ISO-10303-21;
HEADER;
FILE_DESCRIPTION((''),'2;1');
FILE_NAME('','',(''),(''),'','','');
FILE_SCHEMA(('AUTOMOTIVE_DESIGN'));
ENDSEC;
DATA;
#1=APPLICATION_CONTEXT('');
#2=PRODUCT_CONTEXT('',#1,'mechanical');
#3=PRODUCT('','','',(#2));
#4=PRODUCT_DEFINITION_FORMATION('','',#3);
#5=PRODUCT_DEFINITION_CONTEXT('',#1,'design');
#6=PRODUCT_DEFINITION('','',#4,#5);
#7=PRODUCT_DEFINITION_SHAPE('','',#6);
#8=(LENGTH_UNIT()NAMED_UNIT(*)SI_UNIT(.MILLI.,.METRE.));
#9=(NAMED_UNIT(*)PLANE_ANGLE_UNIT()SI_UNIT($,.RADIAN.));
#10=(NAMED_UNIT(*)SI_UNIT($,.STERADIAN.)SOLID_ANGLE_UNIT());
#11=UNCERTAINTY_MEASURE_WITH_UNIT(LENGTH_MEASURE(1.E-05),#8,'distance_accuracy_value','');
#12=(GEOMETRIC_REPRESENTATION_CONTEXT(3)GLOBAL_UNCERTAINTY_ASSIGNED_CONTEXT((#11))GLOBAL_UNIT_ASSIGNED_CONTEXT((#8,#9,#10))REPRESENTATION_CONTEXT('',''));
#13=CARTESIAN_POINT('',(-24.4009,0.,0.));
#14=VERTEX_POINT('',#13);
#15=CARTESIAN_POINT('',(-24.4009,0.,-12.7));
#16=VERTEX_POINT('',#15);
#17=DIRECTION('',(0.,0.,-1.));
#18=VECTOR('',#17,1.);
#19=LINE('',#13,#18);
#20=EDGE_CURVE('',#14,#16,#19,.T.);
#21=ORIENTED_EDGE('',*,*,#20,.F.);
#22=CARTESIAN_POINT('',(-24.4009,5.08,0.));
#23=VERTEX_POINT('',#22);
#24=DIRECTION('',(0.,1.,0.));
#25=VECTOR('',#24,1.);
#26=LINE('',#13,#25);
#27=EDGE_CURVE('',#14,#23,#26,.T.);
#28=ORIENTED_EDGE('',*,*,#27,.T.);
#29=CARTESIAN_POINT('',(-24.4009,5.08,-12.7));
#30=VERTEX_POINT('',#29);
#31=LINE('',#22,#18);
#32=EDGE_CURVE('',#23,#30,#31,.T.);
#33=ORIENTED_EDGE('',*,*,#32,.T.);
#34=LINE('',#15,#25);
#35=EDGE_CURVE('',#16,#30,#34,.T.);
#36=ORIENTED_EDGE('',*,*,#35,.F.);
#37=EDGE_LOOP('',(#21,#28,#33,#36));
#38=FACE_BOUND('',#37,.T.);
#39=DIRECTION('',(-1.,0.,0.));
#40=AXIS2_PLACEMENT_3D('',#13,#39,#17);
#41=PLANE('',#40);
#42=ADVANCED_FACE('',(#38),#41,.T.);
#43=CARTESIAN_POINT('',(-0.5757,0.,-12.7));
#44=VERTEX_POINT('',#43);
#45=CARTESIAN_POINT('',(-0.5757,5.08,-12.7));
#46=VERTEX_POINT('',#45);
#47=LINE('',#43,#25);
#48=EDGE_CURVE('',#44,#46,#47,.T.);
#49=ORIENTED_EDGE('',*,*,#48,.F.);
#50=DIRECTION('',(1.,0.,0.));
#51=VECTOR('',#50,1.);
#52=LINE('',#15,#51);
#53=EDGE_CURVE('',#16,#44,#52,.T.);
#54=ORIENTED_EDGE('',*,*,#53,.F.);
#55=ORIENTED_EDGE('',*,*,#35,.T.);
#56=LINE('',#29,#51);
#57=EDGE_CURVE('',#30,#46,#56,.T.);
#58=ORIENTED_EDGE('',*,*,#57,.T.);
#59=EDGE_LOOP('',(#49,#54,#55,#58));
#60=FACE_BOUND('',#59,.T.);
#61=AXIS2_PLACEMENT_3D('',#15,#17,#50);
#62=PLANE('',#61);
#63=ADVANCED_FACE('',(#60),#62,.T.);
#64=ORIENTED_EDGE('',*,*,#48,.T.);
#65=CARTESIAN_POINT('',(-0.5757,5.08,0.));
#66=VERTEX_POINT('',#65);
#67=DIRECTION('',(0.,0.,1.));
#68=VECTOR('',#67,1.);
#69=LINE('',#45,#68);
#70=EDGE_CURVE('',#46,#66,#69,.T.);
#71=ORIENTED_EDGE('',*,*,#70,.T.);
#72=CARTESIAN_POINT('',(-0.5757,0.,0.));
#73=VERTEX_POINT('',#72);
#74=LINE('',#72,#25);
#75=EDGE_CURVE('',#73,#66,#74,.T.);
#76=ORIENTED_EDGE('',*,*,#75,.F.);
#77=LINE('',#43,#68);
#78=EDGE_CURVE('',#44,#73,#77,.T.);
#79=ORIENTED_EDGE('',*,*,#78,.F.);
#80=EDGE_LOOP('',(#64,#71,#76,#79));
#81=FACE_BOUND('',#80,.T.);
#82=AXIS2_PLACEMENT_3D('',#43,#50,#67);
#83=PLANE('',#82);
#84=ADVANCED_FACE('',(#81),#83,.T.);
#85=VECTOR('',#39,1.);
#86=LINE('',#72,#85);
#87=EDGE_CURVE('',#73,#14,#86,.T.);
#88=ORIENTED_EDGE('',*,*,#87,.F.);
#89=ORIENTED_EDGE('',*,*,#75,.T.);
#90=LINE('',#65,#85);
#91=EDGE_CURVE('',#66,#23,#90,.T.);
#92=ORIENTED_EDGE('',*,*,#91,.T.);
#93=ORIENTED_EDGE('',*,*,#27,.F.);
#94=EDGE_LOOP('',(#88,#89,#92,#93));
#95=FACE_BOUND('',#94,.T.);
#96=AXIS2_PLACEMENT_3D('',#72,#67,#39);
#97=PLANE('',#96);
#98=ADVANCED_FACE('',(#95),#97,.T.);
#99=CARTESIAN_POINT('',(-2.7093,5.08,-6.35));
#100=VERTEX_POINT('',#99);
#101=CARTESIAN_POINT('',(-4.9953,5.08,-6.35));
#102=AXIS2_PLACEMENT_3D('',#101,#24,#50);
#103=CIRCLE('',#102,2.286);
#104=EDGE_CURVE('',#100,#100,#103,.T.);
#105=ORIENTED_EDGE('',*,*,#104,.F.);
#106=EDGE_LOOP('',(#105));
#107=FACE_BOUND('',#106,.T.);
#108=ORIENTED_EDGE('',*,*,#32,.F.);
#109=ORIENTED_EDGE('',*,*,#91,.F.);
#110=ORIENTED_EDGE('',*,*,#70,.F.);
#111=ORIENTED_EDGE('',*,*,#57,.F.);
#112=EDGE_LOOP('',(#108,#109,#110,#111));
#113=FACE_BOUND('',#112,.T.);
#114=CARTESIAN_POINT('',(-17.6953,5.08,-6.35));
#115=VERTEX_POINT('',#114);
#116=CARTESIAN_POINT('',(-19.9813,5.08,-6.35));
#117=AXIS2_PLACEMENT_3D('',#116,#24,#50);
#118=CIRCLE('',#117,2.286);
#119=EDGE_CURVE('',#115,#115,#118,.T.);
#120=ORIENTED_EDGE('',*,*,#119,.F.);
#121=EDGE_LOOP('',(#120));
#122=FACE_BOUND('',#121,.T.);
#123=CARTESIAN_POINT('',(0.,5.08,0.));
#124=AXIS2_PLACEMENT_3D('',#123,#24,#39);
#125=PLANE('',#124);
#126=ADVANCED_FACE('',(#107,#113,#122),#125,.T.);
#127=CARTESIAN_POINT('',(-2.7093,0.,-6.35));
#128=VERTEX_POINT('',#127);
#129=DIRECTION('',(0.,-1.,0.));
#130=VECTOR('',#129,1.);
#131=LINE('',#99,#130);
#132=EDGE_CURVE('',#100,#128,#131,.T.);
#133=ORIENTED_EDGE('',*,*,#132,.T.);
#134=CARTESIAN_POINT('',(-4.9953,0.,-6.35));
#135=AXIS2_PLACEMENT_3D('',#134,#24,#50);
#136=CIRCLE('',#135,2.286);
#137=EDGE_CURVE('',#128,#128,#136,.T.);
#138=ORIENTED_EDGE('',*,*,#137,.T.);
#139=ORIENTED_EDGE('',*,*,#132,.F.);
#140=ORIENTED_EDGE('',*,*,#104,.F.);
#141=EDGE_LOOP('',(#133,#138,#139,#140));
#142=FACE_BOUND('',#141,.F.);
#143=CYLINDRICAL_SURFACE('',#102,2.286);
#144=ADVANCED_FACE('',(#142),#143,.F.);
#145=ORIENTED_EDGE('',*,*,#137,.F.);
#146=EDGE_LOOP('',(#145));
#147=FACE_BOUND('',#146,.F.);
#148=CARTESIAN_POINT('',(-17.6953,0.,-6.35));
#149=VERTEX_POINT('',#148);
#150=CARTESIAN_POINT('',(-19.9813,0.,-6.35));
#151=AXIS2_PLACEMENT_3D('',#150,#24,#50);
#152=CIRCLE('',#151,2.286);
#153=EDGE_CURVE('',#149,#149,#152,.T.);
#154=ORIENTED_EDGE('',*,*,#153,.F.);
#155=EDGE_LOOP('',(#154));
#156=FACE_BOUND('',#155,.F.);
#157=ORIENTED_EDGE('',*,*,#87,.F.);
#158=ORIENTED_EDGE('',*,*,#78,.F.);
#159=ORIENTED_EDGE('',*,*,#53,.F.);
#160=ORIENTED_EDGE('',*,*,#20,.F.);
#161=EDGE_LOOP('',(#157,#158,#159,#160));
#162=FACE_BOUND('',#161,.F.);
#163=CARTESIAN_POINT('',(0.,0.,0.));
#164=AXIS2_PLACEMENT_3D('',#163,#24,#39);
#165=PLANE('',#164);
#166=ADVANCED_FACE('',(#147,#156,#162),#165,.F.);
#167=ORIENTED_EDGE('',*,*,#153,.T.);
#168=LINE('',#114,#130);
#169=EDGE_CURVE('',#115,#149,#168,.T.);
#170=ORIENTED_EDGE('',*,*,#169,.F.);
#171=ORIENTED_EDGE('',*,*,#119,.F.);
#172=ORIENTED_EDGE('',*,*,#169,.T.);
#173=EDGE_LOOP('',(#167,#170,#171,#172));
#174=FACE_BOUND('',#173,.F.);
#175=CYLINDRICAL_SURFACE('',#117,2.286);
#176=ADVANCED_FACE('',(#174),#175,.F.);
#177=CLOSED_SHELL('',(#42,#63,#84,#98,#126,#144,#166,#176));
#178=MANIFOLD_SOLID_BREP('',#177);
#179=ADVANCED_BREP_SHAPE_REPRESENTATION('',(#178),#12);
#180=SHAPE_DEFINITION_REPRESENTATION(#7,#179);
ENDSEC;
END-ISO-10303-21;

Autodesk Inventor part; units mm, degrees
ref_plane "YZ Plane" through (0, 0, 0) normal (1, 0, 0) x (0, 1, 0)
ref_plane "XZ Plane" through (0, 0, 0) normal (0, 1, 0) x (-1, 0, 0)
ref_plane "XY Plane" through (0, 0, 0) normal (0, 0, 1) x (1, 0, 0)
sketch "Spacer 2D" plane through (0, 0, 0) normal (0, 1, 0) x (-1, 0, 0)
  line L0 (12.4883, 0) -> (12.4883, -12.7) construction
  line L1 (24.4009, -12.7) -> (0.5757, -12.7)
  line L2 (0.5757, -12.7) -> (0.5757, 0)
  line L3 (0.5757, 0) -> (24.4009, 0)
  line L4 (24.4009, 0) -> (24.4009, -12.7)
  line L5 (24.4009, -12.7) -> (0.5757, 0) construction
  line L6 (0.5757, -12.7) -> (24.4009, 0) construction
  point P0 (0, 0)
  point P1 (12.4883, -6.35)
  dimension "d17" = 23.8252
  dimension "d18" = 12.7
extrude "Spacer Body" add sketch "Spacer 2D" along normal blind 5.08
sketch "Spacer Circles" plane through (0, 5.08, 0) normal (0, 1, 0) x (1, 0, 0)
  line L0 (-0.5757, 0) -> (-0.5757, 12.7) construction
  line L1 (-7.2813, 6.35) -> (-0.5757, 6.35) construction
  line L2 (-7.2813, 6.35) -> (-2.7093, 6.35) construction
  circle A0 centre (-4.9953, 6.35) radius 2.286
  line L3 (-17.6953, 6.35) -> (-7.2813, 6.35) construction
  line L4 (-17.6953, 6.35) -> (-24.4009, 6.35) construction
  line L5 (-24.4009, 12.7) -> (-24.4009, 0) construction
  line L6 (-0.5757, 0) -> (-24.4009, 0) construction
  line L7 (-24.4009, 0) -> (-24.4009, 12.7) construction
  line L8 (-24.4009, 12.7) -> (-0.5757, 12.7) construction
  line L9 (-0.5757, 12.7) -> (-0.5757, 0) construction
  line L10 (-12.4883, 6.35) -> (-12.4883, 0) construction
  line L11 (-24.4009, 0) -> (-0.5757, 0) construction
  circle A1 centre (-19.9813, 6.35) radius 2.286
  dimension "d25" = 4.572
  dimension "d26" = 10.414
  dimension "d31" = 2.1336
  dimension "d32" = 2.1336
extrude "Spacer Holes" cut sketch "Spacer Circles" against normal blind 10.16
properties part number "Rectangular Bottom Washer v1.2"
